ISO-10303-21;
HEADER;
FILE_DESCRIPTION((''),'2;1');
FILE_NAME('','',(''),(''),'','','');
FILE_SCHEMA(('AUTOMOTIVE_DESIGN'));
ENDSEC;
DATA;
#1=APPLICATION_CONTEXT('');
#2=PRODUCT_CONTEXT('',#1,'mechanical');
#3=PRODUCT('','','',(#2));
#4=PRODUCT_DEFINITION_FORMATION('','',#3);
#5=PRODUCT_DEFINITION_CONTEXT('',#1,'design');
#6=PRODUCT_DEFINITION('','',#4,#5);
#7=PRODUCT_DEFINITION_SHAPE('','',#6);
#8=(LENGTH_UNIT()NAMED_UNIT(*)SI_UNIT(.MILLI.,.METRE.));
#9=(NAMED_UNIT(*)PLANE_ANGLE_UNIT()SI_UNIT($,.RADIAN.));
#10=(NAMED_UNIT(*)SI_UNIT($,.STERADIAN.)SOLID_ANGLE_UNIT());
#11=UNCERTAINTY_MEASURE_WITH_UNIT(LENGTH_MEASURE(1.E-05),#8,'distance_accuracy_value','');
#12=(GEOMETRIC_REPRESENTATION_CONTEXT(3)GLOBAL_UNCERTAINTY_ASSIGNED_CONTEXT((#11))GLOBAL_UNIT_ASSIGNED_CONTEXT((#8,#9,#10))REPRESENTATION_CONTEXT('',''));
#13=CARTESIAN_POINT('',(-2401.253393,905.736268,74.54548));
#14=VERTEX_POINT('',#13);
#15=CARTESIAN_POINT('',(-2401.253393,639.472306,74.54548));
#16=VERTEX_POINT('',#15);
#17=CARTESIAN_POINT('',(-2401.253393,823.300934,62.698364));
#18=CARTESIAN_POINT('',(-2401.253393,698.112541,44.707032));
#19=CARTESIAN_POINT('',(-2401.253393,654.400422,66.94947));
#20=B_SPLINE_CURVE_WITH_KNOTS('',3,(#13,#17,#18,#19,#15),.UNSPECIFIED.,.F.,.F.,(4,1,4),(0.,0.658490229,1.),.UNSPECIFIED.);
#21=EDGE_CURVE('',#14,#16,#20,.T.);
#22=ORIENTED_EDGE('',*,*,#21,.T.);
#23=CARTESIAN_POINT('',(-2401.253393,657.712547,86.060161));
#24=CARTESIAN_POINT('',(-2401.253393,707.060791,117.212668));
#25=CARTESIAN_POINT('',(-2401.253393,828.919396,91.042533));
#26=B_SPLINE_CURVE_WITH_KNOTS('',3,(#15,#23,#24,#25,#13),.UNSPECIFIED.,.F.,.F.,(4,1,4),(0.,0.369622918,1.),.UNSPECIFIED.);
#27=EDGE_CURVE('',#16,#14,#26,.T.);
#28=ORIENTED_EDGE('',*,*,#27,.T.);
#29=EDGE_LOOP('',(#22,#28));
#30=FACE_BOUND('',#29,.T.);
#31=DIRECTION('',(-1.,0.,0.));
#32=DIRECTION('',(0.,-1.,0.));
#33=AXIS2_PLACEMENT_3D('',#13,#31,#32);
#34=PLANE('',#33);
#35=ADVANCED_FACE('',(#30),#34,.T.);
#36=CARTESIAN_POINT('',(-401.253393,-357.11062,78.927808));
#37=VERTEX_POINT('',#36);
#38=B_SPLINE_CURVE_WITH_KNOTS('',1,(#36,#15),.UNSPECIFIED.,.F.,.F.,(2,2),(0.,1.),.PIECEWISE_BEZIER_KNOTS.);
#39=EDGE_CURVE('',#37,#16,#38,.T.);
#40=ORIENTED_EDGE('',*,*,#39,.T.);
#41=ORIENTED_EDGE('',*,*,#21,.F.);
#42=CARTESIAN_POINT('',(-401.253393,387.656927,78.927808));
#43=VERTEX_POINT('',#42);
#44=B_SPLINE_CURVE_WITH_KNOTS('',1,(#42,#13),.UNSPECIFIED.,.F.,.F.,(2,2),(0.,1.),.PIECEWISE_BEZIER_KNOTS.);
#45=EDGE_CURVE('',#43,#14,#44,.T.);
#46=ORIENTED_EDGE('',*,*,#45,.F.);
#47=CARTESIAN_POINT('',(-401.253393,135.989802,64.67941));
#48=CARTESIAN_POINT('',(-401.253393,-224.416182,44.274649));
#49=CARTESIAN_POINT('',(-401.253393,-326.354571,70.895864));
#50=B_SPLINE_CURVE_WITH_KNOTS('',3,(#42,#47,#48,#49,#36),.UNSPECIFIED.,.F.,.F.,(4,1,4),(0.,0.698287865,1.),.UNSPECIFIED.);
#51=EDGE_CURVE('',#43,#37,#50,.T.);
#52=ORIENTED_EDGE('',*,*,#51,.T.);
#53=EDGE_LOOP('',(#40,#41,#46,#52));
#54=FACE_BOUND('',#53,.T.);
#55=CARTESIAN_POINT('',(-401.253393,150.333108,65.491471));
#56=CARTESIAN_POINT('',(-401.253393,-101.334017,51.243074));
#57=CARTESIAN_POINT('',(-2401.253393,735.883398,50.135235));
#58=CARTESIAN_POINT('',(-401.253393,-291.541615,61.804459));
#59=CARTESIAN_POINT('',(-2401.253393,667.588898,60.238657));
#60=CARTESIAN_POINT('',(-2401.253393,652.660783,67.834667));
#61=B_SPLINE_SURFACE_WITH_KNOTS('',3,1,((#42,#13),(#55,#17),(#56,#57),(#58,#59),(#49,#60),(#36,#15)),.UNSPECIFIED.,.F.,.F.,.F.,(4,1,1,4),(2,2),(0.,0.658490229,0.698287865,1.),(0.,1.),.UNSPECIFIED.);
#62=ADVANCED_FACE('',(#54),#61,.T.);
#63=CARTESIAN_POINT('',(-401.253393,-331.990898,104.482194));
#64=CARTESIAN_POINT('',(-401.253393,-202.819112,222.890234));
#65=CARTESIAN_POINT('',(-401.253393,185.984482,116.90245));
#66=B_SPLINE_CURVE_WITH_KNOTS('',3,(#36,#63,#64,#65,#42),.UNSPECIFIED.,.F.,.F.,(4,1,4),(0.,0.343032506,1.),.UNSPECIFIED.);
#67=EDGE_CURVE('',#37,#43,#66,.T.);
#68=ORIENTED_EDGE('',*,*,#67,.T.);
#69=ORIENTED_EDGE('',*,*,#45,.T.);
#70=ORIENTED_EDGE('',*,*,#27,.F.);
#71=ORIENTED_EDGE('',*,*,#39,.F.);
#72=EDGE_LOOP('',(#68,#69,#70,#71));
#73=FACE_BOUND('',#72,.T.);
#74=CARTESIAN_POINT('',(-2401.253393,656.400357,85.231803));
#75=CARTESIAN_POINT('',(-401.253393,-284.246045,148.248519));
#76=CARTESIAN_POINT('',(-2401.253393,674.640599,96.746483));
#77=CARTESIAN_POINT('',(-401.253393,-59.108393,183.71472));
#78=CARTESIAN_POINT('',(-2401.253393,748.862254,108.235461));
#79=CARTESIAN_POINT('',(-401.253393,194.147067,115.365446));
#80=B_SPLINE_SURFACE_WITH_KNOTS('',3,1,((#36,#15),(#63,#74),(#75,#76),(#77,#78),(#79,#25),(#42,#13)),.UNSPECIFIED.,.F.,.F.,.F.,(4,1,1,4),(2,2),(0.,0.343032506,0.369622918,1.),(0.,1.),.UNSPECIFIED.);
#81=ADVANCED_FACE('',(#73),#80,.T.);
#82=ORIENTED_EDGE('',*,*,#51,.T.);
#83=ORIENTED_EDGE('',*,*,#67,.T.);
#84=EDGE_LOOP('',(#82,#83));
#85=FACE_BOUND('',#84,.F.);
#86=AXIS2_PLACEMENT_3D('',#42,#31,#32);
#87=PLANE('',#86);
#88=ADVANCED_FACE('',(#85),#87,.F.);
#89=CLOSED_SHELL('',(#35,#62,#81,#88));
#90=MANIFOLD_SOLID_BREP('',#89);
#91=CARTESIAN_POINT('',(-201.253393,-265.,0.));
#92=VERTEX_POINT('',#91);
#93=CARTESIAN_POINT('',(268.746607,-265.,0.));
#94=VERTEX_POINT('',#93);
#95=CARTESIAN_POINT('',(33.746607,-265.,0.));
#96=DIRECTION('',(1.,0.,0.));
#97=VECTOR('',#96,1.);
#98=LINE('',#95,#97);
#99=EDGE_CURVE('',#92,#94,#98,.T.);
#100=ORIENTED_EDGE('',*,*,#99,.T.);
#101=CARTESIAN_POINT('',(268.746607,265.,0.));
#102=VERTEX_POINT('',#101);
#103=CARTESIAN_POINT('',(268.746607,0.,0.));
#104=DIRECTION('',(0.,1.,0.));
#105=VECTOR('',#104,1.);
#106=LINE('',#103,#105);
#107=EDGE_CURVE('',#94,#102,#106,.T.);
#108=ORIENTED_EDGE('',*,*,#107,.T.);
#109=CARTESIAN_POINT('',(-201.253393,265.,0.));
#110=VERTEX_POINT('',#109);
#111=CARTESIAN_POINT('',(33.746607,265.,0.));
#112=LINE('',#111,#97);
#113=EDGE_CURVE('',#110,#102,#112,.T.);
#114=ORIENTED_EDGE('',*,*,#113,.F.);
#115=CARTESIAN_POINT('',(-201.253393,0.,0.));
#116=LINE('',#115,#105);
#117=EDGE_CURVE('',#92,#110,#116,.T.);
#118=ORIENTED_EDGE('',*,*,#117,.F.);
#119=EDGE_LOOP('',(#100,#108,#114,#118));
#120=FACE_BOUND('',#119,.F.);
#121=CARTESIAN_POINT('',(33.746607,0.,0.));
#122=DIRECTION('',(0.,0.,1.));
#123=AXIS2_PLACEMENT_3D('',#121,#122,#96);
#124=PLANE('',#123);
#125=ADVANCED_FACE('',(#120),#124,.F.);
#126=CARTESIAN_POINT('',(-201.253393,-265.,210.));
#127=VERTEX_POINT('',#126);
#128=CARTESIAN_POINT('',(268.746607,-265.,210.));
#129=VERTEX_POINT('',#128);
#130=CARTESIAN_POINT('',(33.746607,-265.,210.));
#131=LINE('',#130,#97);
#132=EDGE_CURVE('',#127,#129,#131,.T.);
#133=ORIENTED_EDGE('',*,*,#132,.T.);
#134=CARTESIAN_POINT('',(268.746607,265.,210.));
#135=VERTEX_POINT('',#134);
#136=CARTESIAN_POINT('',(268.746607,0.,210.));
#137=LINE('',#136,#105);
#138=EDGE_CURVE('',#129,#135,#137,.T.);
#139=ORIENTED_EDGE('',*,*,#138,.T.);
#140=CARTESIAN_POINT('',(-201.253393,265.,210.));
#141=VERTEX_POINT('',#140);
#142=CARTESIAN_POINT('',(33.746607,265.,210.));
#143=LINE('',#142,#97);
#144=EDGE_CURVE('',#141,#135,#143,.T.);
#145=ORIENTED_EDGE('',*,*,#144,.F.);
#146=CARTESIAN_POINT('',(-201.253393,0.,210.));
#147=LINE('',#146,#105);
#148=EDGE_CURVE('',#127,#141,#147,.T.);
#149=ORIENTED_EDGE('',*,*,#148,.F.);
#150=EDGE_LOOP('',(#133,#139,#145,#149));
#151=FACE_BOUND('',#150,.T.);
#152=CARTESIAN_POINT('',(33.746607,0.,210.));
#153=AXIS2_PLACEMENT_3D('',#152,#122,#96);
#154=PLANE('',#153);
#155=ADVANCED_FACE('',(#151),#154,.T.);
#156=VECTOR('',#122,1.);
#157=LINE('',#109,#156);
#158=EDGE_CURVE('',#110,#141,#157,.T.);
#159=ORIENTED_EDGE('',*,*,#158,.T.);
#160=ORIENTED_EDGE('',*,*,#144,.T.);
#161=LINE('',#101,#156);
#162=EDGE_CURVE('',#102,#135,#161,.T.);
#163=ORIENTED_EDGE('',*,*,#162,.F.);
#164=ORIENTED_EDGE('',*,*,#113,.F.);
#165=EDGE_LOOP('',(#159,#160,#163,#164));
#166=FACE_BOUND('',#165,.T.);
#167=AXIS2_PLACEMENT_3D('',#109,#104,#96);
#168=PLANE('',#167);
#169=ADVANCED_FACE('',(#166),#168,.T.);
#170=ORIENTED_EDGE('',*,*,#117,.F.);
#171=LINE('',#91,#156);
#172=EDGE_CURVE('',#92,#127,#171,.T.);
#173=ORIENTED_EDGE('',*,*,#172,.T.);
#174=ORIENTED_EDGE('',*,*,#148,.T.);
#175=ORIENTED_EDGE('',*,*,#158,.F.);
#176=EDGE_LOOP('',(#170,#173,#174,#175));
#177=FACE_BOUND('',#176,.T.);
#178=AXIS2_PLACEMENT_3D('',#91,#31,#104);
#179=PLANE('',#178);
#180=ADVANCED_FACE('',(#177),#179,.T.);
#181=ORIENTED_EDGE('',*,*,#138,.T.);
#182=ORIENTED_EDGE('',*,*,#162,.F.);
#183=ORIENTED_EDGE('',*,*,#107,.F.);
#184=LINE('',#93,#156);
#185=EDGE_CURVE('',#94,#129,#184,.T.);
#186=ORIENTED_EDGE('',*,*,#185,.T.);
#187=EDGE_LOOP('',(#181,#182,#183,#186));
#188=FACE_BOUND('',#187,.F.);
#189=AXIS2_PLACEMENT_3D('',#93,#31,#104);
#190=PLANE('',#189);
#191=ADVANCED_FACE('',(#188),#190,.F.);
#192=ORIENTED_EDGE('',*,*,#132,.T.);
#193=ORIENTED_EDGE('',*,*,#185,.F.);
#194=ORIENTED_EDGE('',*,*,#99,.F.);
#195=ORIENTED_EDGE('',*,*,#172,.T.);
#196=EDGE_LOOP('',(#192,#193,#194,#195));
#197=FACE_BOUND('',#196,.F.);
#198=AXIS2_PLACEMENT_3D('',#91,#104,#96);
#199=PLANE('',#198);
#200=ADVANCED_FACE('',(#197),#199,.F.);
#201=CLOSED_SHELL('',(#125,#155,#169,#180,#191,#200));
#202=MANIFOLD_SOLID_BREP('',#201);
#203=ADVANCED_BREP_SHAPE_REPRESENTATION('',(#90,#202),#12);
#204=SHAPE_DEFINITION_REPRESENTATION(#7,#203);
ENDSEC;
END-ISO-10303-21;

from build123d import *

# Parameters (mm, degrees)
F0_W     = 470
F0_H     = 530
F1_DEPTH = 210


with BuildPart() as f1:
    # F0 (on Top) → F1 (new body)
    with BuildSketch(Plane.XY):
        with Locations((33.7466073383, 0)):
            Rectangle(F0_W, F0_H)
    extrude(amount=F1_DEPTH)


with BuildPart() as f6:
    # F3 (on offset) → F6 section 0
    with BuildSketch(Plane(origin=(-401.2533926617, 0, 0), x_dir=(0, -1, 0), z_dir=(-1, 0, 0))):
        with BuildLine():
            add(Edge.make_bspline(
                [(-387.6569271088, 78.9278075099), (-135.9898017999, 64.6794101598), (224.4161822446, 44.274648665), (326.3545707582, 70.8958638525), (357.110619545, 78.9278075099)],
                knots=[0, 0, 0, 0, 0.6982878655, 1, 1, 1, 1], degree=3))
            add(Edge.make_bspline(
                [(357.110619545, 78.9278075099), (331.9908976238, 104.4821942158), (202.8191115387, 222.8902341431), (-185.9844817831, 116.9024497136), (-387.6569271088, 78.9278075099)],
                knots=[0, 0, 0, 0, 0.3430325064, 1, 1, 1, 1], degree=3))
        make_face()
    # F5 (on offset) → F6 section 1
    with BuildSketch(Plane(origin=(-2401.2533926617, 0, 0), x_dir=(0, -1, 0), z_dir=(-1, 0, 0))):
        with BuildLine():
            add(Edge.make_bspline(
                [(-905.7362675667, 74.5454803109), (-823.3009339047, 62.6983639292), (-698.1125407613, 44.7070318471), (-654.4004215865, 66.9494702606), (-639.4723057747, 74.5454803109)],
                knots=[0, 0, 0, 0, 0.6584902289, 1, 1, 1, 1], degree=3))
            add(Edge.make_bspline(
                [(-639.4723057747, 74.5454803109), (-657.7125474759, 86.0601608354), (-707.0607908361, 117.2126678058), (-828.9193957593, 91.0425333248), (-905.7362675667, 74.5454803109)],
                knots=[0, 0, 0, 0, 0.3696229178, 1, 1, 1, 1], degree=3))
        make_face()
    loft()


solid = Compound([f1.part, f6.part])
